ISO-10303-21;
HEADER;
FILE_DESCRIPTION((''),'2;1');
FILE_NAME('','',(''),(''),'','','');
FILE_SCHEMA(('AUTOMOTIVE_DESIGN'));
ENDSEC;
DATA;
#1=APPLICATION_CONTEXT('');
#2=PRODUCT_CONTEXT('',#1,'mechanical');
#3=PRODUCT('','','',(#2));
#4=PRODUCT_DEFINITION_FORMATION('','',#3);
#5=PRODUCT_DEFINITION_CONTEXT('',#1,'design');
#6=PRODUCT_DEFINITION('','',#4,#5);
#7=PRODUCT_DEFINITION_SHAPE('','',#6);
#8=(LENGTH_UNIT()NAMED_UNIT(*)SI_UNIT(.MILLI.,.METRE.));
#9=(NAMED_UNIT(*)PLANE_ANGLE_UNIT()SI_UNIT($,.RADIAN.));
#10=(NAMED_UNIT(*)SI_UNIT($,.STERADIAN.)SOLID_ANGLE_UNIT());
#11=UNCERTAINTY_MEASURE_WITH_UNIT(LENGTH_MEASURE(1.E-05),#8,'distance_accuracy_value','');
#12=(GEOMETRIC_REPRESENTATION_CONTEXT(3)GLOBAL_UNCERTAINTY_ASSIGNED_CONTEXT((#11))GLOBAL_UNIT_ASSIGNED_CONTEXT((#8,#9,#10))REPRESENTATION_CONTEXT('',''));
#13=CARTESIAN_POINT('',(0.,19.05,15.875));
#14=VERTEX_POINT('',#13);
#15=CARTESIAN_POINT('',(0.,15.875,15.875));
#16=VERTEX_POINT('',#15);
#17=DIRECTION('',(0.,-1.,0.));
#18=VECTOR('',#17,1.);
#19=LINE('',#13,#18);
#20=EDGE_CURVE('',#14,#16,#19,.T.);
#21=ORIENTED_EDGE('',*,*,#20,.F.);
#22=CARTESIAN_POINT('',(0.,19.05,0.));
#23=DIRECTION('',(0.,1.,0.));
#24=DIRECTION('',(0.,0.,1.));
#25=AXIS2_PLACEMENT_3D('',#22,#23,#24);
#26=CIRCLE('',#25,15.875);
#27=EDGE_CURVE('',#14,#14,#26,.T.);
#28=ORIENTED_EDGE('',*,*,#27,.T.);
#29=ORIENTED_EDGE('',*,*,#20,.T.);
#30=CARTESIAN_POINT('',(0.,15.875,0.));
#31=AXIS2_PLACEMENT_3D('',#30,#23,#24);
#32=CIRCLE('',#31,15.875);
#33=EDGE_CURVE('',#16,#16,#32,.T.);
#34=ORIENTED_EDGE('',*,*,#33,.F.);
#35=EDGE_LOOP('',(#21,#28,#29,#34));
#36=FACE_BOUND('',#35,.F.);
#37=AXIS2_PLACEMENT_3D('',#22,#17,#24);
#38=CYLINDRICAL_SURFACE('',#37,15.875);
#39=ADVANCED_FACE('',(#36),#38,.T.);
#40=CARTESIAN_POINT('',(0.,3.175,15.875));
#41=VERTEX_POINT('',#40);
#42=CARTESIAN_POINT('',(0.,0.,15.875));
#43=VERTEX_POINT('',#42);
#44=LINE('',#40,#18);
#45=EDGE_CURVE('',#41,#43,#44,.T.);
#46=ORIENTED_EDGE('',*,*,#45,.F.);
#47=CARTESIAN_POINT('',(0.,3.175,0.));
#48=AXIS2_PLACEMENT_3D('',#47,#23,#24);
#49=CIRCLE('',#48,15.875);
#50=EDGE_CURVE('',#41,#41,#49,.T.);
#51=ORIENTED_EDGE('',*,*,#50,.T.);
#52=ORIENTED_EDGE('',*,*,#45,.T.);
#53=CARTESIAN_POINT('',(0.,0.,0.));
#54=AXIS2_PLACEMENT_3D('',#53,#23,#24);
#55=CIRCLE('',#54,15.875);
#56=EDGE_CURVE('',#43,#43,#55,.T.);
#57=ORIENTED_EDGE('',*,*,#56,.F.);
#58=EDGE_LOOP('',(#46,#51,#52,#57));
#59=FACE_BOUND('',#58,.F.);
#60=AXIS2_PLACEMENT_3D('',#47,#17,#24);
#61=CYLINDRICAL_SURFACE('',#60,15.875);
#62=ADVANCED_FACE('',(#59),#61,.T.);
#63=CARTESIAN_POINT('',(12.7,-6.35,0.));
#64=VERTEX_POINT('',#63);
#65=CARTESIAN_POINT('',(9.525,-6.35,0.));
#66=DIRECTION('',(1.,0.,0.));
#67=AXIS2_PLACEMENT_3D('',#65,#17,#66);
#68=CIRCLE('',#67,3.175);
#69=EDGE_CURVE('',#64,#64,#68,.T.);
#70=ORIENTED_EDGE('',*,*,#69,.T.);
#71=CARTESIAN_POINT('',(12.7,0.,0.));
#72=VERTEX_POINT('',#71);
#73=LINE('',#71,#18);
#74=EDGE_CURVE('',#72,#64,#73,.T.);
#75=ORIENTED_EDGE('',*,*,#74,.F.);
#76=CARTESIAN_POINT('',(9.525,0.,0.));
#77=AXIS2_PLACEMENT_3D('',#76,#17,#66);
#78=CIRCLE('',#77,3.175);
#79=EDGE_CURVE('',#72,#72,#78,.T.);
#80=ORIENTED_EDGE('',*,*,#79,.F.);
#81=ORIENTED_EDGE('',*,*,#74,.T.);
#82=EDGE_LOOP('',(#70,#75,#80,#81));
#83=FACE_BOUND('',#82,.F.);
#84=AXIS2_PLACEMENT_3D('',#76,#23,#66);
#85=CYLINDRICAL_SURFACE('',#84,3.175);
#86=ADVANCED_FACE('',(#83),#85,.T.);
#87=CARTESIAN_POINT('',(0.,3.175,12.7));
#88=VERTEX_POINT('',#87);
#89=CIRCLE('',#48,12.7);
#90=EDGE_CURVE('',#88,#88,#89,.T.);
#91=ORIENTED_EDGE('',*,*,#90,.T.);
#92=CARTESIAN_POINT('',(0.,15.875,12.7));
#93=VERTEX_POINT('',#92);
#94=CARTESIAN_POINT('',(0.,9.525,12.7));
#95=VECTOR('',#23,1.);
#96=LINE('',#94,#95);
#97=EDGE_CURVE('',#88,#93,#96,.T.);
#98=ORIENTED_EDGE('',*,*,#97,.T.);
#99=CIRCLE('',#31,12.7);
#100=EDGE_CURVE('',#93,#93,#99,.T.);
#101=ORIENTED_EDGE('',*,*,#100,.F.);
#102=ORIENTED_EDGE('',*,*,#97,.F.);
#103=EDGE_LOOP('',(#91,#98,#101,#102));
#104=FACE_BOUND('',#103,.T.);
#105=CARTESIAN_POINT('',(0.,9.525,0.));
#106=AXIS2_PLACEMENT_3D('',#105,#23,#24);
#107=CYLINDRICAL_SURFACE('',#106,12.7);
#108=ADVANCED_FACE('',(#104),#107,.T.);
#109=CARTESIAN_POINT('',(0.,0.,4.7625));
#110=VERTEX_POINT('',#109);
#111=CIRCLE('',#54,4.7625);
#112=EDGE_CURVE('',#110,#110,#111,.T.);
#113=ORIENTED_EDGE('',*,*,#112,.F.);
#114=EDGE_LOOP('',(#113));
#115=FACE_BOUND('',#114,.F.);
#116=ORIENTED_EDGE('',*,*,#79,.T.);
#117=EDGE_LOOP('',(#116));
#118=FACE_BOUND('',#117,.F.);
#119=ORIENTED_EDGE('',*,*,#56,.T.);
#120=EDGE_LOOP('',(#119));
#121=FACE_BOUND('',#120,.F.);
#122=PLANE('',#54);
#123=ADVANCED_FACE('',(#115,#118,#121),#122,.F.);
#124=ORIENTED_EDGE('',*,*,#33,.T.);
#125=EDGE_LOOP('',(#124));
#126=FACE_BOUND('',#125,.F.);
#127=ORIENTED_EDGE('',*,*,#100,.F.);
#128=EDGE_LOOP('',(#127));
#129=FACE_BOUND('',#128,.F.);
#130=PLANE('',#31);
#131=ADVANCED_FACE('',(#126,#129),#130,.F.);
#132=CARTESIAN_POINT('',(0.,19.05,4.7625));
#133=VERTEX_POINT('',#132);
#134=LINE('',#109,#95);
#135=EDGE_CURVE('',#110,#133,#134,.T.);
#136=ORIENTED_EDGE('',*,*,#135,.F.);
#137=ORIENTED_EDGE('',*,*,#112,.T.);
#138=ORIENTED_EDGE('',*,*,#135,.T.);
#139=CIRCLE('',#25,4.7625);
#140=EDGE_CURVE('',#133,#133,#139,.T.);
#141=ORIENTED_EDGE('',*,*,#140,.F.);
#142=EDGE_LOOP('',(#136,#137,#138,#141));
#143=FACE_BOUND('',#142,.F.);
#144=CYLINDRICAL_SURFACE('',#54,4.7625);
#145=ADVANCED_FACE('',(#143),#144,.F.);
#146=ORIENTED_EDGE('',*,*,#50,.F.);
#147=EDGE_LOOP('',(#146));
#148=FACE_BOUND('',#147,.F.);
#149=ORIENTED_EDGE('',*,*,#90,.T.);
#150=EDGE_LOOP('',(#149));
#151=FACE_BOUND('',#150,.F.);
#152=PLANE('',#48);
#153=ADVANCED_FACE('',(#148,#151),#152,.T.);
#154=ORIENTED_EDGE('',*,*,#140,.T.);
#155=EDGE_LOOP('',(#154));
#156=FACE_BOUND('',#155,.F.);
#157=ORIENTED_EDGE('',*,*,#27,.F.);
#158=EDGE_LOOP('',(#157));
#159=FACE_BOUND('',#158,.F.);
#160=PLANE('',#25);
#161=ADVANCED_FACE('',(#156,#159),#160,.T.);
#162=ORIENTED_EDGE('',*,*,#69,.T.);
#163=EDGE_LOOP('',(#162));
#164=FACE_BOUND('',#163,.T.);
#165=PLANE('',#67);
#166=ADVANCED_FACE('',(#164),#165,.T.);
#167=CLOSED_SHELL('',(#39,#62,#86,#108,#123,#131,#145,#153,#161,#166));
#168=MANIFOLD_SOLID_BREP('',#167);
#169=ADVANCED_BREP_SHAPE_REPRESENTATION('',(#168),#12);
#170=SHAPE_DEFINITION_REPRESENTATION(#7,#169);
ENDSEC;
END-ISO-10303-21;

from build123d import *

# Parameters (mm, degrees)
F0_W     = 12.7
F0_H     = 7.9375
F2_R     = 3.175
F3_DEPTH = 6.35


with BuildPart() as f1:
    # F0 (on Right) → F1 (revolve)
    with BuildSketch(Plane.YZ):
        Polygon((15.875, 12.7), (15.875, 4.7625), (19.05, 4.7625), (19.05, 15.875), (15.875, 15.875), align=None)
        with Locations((9.525, 8.73125)):
            Rectangle(F0_W, F0_H)
        Polygon((0, 15.875), (0, 4.7625), (3.175, 4.7625), (3.175, 12.7), (3.175, 15.875), align=None)
    revolve(axis=Axis((0, 9.525, 0), (0, 1, 0)))

    # F2 (on Front) → F3 (join)
    with BuildSketch(Plane.XZ):
        with Locations((9.525, 0)):
            Circle(F2_R)
    extrude(amount=F3_DEPTH)


solid = f1.part
